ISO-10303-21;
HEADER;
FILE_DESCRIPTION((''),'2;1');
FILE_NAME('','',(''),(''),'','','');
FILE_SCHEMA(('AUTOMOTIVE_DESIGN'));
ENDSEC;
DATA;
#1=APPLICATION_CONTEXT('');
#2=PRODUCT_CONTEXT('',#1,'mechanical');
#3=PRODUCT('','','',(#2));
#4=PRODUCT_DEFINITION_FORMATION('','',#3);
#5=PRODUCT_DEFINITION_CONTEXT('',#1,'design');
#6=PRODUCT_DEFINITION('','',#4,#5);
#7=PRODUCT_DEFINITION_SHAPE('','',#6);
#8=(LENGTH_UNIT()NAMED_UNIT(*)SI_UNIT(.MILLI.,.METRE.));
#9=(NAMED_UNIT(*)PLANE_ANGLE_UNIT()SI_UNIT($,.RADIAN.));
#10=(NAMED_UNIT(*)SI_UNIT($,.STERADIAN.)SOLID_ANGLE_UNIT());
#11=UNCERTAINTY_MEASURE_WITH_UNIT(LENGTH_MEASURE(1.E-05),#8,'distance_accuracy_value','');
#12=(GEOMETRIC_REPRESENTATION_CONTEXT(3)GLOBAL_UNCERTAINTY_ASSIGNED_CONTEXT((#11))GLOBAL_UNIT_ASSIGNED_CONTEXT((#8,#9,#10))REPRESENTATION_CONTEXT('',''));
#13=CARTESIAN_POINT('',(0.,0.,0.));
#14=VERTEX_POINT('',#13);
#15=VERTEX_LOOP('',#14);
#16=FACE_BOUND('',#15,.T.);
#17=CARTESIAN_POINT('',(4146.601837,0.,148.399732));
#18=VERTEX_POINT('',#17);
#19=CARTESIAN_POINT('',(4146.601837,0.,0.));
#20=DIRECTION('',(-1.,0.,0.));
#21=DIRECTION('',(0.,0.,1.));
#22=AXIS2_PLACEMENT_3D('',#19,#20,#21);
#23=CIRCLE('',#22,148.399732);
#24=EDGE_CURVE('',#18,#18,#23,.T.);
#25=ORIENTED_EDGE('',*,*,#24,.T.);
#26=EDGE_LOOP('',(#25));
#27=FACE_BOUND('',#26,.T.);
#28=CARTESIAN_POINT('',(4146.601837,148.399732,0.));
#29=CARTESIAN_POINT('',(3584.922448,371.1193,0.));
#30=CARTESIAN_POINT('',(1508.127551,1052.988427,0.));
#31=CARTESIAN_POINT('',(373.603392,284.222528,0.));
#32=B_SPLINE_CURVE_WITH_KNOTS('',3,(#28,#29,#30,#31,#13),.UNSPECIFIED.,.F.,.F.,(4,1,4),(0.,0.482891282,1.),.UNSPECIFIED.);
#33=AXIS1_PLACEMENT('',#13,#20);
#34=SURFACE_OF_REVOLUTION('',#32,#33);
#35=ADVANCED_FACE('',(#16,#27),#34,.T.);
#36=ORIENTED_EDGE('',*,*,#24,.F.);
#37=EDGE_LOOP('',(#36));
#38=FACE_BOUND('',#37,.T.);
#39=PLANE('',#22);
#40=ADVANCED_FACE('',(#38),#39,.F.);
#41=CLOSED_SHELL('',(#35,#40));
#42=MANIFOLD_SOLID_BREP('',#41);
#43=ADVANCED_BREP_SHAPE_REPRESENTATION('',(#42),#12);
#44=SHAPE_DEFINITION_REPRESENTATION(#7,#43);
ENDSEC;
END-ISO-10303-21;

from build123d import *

# Parameters (mm, degrees)
SCALE2_SCALE = 692.7273


with BuildPart() as part:
    # Sketch1 → Revolve1 (revolve)
    with BuildSketch(Plane.XY):
        with BuildLine():
            Line((5.985907929, 0), (5.985907929, 0.214225327))
            add(Edge.make_bspline(
                [(0, 0), (0.539322461, 0.410294972), (2.17708693, 1.520061975), (5.175084695, 0.535736501), (5.985907929, 0.214225327)],
                knots=[0, 0, 0, 0, 0.517108718, 1, 1, 1, 1], degree=3))
            Line((0, 0), (5.985907929, 0))
        make_face()
    revolve(axis=Axis((0, 0, 0), (1, 0, 0)))


with BuildPart() as part_1:
    # Scale2: scaled about (0, 0, 0)
    add(part.part.scale(SCALE2_SCALE))


solid = part_1.part
